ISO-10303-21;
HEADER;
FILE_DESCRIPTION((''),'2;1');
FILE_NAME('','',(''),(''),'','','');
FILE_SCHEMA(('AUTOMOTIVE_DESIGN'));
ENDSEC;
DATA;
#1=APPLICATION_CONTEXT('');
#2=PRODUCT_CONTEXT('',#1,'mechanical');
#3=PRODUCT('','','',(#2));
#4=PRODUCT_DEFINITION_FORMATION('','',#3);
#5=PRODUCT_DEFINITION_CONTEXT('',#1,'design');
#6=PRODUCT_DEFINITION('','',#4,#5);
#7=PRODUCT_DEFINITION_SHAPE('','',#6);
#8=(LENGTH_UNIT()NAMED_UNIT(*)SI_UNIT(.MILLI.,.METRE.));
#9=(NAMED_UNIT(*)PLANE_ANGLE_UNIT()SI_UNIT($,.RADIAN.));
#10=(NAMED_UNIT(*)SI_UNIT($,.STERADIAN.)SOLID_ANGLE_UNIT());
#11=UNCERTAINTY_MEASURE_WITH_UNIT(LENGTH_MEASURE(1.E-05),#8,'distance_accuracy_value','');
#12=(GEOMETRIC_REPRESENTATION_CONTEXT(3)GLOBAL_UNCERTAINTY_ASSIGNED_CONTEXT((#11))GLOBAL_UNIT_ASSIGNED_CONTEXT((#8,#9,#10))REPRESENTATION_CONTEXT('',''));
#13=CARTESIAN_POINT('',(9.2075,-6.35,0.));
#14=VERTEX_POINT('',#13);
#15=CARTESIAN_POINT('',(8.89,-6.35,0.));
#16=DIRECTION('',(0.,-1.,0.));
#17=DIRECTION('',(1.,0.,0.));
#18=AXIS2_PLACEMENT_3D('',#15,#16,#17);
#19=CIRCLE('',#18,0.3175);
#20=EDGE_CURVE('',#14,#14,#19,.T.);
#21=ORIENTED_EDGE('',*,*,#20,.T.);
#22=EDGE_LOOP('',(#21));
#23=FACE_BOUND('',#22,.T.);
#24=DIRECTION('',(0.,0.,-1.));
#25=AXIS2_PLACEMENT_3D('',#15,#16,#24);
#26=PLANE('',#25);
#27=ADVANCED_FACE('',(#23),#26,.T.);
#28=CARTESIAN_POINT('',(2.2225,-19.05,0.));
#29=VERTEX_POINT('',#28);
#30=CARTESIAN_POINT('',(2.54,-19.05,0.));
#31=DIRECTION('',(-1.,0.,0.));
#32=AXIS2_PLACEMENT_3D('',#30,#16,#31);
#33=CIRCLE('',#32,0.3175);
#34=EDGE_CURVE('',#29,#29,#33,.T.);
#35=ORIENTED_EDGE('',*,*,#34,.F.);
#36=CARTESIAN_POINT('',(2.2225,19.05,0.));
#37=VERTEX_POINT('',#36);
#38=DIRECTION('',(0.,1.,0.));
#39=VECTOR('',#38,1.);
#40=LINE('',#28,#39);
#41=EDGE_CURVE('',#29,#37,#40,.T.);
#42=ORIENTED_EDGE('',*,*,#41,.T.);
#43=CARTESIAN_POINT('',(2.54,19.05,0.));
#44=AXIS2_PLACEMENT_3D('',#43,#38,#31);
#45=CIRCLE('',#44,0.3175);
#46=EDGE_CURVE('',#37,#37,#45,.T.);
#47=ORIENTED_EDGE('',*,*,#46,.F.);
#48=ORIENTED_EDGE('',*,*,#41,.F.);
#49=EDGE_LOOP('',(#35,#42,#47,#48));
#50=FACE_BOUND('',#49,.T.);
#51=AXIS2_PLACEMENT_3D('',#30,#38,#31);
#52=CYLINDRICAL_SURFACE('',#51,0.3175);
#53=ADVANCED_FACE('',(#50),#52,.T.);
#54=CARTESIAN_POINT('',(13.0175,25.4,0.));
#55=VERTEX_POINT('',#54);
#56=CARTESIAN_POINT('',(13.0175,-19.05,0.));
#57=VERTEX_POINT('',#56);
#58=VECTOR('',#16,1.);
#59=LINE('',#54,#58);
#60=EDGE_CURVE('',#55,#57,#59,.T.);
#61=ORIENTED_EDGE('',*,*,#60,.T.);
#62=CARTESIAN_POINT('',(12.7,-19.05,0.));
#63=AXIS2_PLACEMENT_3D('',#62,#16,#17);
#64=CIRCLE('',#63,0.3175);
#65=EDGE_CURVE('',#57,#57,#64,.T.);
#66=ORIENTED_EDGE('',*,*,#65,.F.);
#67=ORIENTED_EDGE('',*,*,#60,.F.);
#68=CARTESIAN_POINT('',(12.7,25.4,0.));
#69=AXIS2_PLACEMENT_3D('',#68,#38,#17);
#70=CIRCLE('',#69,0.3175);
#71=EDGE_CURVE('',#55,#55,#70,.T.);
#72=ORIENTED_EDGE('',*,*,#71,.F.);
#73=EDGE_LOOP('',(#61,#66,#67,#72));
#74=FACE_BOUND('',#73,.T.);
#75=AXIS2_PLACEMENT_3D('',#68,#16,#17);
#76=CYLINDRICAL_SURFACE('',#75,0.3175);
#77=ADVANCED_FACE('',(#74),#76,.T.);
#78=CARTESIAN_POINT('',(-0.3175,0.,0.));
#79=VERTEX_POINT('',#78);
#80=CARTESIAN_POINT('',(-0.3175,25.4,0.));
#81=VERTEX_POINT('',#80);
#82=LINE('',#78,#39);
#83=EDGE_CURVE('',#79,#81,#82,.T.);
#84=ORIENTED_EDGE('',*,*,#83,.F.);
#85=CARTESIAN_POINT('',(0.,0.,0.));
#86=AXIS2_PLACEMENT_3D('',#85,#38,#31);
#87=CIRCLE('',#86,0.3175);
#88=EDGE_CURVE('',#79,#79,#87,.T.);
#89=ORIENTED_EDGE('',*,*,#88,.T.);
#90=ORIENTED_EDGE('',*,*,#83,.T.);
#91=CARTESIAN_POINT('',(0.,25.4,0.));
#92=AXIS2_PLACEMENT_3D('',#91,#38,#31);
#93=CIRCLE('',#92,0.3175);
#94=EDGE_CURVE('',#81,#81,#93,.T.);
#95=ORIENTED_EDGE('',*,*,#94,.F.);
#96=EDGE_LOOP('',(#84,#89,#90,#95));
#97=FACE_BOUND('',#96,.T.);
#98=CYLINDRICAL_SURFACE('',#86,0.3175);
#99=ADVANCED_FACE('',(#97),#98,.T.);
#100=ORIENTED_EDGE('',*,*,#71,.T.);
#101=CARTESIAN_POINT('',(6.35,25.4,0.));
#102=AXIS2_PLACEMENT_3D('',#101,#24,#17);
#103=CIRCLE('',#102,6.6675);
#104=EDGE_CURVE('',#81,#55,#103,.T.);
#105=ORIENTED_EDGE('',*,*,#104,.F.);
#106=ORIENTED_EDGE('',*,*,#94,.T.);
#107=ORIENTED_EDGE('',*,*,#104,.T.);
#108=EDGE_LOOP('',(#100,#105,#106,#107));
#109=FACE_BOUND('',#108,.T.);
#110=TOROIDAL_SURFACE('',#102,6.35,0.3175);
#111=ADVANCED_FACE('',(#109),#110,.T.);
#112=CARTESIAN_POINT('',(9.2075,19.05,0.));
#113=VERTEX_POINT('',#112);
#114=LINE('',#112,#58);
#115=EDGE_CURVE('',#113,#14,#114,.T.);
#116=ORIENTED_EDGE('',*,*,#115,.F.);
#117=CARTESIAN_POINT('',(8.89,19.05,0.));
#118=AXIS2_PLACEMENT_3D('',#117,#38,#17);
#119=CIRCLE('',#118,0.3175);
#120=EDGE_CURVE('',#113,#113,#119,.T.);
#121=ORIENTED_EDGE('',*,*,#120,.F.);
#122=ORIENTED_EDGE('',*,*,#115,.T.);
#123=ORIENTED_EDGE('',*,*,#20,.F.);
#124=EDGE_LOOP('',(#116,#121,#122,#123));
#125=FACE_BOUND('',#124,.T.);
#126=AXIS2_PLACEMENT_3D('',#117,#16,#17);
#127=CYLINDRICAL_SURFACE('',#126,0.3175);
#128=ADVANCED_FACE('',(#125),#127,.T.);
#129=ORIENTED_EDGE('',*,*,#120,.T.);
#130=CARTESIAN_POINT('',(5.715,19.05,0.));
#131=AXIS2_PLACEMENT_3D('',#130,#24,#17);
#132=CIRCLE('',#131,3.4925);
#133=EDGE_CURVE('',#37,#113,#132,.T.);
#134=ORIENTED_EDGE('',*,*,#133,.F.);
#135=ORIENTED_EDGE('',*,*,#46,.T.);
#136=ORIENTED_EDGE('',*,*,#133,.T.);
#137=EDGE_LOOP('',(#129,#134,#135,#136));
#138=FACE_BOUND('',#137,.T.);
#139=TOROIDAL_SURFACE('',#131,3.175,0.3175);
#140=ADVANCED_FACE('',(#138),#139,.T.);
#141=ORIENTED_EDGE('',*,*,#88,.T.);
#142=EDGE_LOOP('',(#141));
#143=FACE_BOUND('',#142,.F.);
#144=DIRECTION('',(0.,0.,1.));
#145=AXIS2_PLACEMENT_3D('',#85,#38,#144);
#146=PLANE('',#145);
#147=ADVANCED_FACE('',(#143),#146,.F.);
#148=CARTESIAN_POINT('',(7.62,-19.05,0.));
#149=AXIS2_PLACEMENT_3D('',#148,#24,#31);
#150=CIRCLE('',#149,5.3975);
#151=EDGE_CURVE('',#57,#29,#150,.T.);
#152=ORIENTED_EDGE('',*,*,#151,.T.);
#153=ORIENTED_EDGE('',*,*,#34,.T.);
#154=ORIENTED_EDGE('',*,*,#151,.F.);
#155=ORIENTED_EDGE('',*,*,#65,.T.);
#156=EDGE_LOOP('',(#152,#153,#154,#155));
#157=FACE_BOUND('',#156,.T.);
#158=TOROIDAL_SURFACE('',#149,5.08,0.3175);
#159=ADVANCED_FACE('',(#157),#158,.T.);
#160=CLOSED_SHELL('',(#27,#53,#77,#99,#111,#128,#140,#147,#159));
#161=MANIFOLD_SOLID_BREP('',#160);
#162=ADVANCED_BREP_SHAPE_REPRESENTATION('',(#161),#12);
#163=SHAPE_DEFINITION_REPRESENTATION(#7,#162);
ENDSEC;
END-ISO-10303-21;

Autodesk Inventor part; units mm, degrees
ref_plane "YZ Plane" through (0, 0, 0) normal (1, 0, 0) x (0, 1, 0)
ref_plane "XZ Plane" through (0, 0, 0) normal (0, 1, 0) x (-1, 0, 0)
ref_plane "XY Plane" through (0, 0, 0) normal (0, 0, 1) x (1, 0, 0)
sketch "Sketch1" plane through (0, 0, 0) normal (0, 0, 1) x (1, 0, 0)
  line L0 (0, 0) -> (0, 25.4)
  arc A0 (12.7, 25.4) -> (0, 25.4) centre (6.35, 25.4) ccw
  line L1 (12.7, 25.4) -> (12.7, -19.05)
  arc A1 (2.54, -19.05) -> (12.7, -19.05) centre (7.62, -19.05) ccw
  line L2 (2.54, -19.05) -> (2.54, 19.05)
  arc A2 (8.89, 19.05) -> (2.54, 19.05) centre (5.715, 19.05) ccw
  line L3 (8.89, 19.05) -> (8.89, -6.35)
  dimension "d0" = 25.4
  dimension "d2" = 12.7
  dimension "d3" = 6.35
  dimension "d4" = 44.45
  dimension "d5" = 10.16
  dimension "d7" = 5.08
  dimension "d8" = 38.1
  dimension "d9" = 6.35
  dimension "d10" = 25.4
sketch "Sketch2" plane through (0, 0, 0) normal (0, 1, 0) x (-1, 0, 0)
  circle A0 centre (0, 0) radius 0.3175
  dimension "d11" = 0.635
sweep "Sweep1" add profiles "Sketch2" path "Sketch1"
properties part number "Paper Clip"
